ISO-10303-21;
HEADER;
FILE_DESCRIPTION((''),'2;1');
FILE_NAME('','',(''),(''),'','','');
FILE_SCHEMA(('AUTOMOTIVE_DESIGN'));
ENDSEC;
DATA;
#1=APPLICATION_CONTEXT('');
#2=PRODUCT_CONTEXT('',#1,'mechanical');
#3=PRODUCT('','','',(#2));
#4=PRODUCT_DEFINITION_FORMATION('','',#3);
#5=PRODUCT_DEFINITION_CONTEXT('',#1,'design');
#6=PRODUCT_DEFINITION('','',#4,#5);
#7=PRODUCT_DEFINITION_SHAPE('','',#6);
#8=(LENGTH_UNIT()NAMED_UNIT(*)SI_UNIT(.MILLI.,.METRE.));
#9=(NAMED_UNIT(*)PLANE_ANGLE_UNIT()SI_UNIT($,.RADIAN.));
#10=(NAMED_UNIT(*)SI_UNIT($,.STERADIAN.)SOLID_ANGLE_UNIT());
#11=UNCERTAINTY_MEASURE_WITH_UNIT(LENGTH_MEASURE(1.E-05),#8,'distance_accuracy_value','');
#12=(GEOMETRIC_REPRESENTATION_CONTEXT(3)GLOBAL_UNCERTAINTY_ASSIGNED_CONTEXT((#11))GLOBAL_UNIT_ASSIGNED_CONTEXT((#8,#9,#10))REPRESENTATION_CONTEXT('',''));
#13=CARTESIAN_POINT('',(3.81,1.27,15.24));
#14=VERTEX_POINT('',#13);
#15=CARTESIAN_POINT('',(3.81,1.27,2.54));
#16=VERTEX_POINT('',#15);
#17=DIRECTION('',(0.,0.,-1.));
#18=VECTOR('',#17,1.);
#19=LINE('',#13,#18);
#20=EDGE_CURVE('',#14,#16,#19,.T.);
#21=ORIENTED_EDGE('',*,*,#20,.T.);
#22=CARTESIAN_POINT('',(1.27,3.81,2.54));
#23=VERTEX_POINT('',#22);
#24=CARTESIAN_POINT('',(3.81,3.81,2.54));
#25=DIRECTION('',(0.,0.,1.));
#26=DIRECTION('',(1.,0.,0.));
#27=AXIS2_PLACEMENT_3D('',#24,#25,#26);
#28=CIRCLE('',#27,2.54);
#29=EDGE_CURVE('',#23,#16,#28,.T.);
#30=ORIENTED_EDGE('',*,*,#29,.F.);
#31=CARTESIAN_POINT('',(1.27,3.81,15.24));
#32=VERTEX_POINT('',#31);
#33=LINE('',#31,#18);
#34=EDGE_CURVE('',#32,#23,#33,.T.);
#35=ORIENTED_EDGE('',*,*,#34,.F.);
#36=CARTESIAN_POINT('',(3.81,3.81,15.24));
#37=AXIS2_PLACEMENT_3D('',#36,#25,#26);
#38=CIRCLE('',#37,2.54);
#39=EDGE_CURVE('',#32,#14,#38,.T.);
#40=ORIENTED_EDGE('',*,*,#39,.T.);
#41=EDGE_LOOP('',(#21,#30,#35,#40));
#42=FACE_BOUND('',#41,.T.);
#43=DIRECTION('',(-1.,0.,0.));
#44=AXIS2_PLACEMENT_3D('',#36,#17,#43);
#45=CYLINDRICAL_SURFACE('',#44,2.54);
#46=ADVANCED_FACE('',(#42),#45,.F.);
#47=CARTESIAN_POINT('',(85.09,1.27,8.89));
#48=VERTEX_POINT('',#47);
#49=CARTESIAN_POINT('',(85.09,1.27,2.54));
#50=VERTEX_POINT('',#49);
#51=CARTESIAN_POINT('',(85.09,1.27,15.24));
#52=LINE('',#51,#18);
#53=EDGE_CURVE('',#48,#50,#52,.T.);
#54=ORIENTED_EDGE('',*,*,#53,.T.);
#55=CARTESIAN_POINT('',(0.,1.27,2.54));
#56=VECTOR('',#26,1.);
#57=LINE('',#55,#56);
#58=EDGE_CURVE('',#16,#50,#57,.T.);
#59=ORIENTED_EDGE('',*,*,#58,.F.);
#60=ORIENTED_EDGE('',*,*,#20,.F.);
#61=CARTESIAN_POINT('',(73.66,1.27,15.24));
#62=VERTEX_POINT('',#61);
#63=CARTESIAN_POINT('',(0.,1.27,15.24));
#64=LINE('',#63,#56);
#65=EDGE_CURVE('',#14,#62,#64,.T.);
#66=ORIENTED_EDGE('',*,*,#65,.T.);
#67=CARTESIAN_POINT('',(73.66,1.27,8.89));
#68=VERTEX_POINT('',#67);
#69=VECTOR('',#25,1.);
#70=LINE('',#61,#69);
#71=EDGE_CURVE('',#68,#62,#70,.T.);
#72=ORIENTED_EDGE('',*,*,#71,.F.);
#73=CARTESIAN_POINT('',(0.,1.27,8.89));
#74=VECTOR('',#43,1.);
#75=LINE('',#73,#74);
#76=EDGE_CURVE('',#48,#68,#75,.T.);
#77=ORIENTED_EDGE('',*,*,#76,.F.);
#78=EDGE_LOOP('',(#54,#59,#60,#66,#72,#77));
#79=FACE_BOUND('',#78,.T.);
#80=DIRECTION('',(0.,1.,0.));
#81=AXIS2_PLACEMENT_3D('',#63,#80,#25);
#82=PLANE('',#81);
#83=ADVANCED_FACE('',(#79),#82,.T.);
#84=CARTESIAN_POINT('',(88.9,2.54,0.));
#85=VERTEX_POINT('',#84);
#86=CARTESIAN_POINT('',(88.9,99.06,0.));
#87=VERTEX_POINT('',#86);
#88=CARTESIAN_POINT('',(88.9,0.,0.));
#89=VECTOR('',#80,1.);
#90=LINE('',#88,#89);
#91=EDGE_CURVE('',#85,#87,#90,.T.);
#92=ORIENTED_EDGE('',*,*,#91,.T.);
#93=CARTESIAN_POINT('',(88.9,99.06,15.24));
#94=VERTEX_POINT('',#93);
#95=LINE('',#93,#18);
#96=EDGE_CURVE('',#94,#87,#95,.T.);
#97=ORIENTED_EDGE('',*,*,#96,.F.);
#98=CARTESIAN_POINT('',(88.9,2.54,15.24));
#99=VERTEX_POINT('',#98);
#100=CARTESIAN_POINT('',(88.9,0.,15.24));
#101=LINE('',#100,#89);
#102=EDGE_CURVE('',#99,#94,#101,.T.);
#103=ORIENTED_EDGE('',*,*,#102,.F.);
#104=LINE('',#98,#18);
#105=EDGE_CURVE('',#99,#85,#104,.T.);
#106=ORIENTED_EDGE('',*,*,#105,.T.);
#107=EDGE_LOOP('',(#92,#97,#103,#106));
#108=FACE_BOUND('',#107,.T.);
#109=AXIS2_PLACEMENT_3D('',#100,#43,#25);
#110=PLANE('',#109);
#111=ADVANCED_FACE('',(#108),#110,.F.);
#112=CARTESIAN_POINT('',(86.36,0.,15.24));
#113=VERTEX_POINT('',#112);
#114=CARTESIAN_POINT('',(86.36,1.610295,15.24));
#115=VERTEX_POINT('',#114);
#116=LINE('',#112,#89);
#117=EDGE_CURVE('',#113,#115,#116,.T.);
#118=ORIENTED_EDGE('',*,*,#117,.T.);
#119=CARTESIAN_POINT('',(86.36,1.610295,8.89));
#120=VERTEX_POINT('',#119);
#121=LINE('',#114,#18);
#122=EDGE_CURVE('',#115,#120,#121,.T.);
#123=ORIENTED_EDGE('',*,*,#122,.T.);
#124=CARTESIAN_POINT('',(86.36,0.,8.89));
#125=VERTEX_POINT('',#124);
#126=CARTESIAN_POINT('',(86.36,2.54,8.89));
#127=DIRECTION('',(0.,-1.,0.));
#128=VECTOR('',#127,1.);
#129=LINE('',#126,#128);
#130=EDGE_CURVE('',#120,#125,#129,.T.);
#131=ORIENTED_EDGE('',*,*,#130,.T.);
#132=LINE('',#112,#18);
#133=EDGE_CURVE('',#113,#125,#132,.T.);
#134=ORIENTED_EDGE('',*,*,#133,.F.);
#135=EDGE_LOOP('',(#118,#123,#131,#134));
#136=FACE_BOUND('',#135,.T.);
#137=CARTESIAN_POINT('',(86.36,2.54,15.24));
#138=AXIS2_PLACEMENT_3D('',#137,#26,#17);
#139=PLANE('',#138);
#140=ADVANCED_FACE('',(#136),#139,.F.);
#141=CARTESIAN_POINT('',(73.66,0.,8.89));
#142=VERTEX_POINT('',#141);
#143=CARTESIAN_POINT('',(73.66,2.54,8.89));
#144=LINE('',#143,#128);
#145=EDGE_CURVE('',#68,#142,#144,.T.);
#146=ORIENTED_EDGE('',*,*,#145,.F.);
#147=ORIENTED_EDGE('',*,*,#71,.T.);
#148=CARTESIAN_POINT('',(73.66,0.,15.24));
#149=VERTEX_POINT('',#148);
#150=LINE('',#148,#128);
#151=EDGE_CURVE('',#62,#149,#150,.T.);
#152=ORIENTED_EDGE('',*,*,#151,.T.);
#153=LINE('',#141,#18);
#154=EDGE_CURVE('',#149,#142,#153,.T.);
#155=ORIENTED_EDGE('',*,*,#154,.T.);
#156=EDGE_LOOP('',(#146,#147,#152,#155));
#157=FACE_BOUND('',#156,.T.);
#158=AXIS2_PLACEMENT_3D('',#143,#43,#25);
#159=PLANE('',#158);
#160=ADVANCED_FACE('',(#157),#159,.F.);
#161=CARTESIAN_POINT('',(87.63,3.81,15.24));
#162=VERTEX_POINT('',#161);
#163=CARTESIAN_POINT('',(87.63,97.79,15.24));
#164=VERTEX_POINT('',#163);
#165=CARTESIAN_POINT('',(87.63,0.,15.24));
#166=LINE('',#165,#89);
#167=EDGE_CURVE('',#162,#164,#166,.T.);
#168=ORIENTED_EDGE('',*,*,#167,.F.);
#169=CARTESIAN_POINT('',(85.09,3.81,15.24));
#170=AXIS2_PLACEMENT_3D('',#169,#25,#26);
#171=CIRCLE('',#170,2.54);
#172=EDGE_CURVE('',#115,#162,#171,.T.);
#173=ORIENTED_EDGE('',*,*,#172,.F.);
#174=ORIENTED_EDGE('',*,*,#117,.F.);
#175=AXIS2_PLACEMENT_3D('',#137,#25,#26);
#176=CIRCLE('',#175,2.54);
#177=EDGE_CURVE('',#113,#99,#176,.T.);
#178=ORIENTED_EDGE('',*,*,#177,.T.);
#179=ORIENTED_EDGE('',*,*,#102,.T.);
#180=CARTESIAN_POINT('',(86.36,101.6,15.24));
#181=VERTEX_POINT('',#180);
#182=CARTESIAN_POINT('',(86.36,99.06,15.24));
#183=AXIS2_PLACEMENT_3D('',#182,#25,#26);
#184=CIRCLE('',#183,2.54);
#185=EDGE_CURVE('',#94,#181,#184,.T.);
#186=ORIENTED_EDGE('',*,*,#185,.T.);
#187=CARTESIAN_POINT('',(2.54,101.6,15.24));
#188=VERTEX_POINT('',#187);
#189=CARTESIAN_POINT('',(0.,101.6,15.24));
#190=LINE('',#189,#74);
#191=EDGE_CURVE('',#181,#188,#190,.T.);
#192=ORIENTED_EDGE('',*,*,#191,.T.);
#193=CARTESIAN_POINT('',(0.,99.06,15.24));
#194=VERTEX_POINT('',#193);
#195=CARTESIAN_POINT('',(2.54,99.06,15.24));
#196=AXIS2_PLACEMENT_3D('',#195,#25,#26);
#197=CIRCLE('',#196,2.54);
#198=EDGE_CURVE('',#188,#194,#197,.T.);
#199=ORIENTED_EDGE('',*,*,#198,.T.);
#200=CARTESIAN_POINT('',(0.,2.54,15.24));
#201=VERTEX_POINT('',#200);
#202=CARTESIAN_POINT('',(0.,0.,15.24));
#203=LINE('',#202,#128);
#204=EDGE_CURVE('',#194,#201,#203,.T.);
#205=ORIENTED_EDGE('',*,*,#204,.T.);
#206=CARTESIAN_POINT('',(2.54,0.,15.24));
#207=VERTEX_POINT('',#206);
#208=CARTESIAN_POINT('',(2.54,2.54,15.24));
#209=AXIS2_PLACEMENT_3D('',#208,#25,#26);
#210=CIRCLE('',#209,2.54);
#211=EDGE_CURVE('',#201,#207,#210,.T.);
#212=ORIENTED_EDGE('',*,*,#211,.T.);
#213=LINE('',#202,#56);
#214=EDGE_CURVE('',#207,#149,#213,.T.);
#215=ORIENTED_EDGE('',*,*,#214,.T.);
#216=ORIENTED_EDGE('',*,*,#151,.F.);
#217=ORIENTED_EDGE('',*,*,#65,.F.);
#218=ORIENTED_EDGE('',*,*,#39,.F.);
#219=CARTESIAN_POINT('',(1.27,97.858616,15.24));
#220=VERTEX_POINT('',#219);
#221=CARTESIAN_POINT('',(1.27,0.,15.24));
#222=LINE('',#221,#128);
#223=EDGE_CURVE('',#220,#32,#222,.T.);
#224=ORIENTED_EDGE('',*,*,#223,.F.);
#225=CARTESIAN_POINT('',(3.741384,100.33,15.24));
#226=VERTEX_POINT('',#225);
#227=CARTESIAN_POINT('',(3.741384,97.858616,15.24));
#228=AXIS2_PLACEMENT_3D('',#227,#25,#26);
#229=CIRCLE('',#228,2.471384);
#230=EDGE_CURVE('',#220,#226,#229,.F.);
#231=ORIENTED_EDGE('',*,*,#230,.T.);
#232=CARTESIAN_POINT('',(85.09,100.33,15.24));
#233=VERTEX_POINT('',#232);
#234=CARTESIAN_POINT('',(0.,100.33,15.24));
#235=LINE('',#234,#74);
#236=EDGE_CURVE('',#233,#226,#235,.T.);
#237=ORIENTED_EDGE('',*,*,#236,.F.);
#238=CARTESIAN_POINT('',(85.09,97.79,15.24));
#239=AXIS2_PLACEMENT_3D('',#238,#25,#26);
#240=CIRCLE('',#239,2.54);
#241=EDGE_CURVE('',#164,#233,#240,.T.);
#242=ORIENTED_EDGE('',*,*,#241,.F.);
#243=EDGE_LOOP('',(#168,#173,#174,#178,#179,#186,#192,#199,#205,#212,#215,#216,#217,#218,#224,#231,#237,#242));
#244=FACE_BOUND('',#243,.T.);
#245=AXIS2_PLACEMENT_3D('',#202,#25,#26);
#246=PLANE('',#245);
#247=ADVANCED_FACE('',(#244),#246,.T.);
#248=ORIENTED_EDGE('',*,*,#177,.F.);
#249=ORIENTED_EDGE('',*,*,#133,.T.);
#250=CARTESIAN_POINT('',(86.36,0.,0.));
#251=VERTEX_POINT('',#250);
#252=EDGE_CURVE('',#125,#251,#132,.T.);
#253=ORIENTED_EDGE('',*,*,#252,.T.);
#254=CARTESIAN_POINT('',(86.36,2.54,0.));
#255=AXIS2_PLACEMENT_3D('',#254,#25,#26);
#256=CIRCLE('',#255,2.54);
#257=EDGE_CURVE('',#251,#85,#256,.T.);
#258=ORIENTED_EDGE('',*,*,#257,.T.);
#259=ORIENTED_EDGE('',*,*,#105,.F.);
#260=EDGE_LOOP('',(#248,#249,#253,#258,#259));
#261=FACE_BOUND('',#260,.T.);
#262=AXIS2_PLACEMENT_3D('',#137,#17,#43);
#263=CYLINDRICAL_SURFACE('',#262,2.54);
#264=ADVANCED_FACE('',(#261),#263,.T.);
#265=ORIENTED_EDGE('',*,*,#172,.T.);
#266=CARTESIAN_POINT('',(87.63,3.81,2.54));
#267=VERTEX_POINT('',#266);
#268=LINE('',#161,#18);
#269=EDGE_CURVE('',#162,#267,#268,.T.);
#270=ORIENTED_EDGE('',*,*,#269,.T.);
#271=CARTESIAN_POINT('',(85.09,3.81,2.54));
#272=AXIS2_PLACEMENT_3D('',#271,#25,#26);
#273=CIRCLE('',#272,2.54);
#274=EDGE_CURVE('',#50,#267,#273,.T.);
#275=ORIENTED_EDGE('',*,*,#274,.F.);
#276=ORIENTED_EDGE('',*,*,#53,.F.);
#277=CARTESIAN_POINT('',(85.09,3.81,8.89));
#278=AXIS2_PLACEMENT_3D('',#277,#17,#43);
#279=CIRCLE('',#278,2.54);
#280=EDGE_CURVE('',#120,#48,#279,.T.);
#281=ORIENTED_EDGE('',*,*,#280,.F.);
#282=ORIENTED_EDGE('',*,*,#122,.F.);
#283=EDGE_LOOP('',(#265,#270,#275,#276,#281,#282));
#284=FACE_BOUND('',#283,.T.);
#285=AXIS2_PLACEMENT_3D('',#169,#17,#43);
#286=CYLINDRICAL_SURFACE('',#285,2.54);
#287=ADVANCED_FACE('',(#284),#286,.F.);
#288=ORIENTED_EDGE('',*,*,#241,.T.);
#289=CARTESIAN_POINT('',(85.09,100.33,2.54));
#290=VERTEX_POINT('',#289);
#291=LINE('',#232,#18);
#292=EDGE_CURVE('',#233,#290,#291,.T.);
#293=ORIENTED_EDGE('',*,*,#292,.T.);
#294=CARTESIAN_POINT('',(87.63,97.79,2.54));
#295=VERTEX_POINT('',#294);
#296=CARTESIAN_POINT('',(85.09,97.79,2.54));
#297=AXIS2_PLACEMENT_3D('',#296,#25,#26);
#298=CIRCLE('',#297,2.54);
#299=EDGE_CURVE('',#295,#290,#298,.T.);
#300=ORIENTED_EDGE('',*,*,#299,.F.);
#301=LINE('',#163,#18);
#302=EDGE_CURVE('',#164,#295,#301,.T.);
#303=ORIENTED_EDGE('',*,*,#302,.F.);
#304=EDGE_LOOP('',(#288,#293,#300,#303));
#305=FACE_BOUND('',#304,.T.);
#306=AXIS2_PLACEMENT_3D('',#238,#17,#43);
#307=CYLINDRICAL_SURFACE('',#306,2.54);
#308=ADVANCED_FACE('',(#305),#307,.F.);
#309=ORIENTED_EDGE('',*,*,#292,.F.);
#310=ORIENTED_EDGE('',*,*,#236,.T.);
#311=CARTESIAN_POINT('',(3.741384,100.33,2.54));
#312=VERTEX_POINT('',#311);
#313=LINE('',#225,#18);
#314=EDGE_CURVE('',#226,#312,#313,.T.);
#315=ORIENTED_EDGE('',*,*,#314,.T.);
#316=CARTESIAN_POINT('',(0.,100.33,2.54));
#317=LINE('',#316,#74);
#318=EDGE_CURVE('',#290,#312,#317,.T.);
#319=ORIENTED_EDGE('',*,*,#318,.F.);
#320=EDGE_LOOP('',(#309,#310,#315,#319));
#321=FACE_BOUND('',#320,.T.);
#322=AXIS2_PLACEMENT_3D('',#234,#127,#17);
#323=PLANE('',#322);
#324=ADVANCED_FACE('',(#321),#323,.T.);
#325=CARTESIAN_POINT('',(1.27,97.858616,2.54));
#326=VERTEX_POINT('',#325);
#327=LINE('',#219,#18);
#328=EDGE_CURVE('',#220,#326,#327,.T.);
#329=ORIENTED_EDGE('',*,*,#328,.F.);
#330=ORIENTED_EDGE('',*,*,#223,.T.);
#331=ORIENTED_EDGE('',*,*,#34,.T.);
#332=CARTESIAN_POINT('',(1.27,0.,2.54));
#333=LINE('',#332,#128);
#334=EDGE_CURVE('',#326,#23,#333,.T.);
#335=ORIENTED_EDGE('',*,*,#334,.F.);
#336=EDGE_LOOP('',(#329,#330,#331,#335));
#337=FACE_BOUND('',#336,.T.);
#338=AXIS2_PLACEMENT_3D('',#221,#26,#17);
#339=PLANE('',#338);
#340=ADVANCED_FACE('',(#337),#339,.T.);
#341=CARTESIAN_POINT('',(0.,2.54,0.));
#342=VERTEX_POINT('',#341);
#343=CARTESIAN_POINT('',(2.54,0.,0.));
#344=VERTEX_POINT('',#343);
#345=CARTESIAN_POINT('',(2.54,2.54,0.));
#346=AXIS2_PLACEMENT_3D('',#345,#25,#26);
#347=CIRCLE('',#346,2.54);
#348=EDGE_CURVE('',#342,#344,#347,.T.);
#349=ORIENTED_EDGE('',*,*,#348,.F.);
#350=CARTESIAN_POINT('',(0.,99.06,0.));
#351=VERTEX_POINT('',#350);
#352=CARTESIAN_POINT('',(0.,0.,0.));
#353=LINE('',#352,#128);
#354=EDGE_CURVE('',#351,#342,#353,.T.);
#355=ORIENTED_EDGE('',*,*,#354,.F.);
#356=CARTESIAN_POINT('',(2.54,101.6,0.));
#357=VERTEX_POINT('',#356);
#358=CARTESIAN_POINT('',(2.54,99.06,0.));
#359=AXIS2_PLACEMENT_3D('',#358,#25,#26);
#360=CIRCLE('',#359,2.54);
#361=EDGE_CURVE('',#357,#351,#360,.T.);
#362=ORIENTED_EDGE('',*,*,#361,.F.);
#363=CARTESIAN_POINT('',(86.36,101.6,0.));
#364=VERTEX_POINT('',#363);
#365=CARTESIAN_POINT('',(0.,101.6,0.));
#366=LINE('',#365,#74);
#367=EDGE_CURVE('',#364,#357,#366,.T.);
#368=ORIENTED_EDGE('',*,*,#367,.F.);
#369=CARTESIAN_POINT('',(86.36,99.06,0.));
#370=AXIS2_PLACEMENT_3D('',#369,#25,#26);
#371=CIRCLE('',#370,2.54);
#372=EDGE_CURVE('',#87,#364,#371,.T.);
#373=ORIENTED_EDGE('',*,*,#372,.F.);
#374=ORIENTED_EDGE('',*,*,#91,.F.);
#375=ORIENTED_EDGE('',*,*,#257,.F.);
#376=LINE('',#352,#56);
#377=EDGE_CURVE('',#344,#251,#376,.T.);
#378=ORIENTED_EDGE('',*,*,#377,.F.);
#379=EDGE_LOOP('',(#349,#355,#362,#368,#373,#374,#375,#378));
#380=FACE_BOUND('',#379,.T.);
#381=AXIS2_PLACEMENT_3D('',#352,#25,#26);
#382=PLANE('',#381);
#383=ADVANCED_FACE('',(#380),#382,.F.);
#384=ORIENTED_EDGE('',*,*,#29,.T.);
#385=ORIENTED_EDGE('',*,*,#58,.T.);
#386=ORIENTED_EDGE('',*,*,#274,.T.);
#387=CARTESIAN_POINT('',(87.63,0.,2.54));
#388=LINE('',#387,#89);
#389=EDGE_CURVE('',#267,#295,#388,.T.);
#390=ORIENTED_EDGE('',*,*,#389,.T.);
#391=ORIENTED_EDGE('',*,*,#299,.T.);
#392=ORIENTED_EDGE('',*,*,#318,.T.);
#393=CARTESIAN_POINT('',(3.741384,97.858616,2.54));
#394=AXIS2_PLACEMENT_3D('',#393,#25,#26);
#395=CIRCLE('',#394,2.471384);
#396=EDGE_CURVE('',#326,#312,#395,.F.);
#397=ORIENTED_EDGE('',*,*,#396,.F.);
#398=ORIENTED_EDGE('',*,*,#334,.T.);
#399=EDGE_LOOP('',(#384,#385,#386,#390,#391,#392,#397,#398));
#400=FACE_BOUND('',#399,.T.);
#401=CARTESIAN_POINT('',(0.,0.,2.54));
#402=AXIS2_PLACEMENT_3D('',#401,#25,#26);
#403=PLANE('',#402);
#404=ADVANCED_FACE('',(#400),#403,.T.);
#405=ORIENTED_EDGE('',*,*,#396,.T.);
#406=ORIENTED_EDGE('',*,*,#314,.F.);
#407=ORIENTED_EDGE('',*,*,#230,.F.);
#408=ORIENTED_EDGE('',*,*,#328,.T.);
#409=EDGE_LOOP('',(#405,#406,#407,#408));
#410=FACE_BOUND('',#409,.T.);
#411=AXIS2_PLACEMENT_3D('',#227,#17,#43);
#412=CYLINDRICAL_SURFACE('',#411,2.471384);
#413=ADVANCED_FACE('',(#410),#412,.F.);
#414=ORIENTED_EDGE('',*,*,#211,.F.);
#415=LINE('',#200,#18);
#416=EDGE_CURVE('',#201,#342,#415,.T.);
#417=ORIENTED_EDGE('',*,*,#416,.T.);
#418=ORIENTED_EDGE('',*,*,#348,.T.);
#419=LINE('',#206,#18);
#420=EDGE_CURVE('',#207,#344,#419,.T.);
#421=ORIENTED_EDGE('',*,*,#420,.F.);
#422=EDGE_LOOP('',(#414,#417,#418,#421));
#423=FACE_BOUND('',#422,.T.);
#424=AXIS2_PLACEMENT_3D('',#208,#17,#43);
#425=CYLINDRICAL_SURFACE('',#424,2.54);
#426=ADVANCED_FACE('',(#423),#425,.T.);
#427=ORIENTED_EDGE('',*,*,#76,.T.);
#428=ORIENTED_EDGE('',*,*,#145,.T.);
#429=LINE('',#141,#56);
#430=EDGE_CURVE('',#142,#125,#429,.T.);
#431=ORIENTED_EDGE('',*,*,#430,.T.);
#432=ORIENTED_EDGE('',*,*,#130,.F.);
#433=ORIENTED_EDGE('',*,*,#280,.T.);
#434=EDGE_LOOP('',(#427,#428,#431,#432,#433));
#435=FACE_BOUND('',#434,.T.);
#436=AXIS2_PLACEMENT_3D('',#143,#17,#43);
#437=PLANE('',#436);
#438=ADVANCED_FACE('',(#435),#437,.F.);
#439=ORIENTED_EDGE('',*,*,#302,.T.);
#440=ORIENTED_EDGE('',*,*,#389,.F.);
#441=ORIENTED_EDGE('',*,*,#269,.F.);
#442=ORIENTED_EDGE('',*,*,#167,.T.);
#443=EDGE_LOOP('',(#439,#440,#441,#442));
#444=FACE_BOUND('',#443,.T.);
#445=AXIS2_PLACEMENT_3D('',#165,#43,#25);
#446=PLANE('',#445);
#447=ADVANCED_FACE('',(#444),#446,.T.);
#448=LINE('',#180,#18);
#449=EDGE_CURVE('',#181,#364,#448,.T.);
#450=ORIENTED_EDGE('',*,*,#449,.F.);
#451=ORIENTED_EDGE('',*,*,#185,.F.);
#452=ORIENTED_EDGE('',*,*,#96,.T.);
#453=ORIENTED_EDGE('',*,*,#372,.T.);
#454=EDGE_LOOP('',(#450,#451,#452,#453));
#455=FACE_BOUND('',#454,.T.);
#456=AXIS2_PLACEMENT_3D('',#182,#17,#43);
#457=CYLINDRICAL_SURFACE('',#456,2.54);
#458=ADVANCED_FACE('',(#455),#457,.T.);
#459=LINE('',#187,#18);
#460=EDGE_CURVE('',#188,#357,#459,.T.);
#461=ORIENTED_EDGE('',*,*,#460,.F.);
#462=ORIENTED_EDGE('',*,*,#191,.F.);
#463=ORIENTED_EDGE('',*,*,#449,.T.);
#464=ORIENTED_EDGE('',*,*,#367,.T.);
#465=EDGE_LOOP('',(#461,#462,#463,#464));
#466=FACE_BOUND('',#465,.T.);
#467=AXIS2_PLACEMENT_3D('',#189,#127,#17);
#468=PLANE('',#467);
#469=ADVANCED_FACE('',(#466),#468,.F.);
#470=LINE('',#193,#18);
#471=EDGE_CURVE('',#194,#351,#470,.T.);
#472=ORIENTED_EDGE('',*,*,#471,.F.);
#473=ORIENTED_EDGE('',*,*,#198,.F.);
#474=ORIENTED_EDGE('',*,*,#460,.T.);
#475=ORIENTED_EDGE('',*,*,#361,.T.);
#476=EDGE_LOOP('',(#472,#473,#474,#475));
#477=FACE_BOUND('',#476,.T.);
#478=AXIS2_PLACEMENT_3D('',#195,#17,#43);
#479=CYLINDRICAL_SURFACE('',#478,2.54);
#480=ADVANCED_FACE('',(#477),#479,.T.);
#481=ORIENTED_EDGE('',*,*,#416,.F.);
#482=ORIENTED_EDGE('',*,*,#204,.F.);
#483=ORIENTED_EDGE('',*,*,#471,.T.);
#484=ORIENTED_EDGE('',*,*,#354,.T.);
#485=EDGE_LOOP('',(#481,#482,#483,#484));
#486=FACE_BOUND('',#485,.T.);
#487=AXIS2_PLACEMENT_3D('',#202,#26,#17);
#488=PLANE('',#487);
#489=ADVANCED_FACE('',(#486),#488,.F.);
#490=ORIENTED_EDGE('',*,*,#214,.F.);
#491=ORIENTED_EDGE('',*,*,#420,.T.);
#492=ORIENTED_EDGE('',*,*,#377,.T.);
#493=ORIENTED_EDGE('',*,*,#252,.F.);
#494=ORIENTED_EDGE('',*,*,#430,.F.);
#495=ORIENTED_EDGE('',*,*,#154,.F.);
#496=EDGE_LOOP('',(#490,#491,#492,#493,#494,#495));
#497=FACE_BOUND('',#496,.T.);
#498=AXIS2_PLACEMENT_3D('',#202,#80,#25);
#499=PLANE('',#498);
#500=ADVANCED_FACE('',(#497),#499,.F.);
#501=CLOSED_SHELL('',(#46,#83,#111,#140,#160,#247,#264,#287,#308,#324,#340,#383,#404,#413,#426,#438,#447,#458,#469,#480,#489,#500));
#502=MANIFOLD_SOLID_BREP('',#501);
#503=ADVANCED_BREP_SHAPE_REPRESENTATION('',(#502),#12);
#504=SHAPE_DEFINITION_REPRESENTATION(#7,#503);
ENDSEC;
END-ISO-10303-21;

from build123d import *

# Parameters (mm, degrees)
BOSS_EXTRUDE2_DEPTH = 2.54
BOSS_EXTRUDE3_DEPTH = 15.24
SKETCH6_W           = 12.7
SKETCH6_H           = 6.35
CUT_EXTRUDE3_DEPTH  = 2.54


with BuildPart() as part:
    # Sketch1 → Boss-Extrude2 (new body)
    with BuildSketch(Plane.XY):
        with BuildLine():
            ThreePointArc((1.27, 97.858615874), (1.993851652, 99.606148348), (3.741384126, 100.33))
            Line((3.741384126, 100.33), (85.09, 100.33))
            ThreePointArc((85.09, 100.33), (86.886051224, 99.586051224), (87.63, 97.79))
            Line((87.63, 97.79), (87.63, 3.81))
            ThreePointArc((87.63, 3.81), (86.886051224, 2.013948776), (85.09, 1.27))
            Line((85.09, 1.27), (3.81, 1.27))
            ThreePointArc((3.81, 1.27), (2.013948776, 2.013948776), (1.27, 3.81))
            Line((1.27, 3.81), (1.27, 97.858615874))
        make_face()
    extrude(amount=BOSS_EXTRUDE2_DEPTH)

    # Sketch1<3> → Boss-Extrude3 (add)
    with BuildSketch(Plane.XY):
        with BuildLine():
            Line((0, 99.06), (0, 2.54))
            ThreePointArc((0, 2.54), (0.743948776, 0.743948776), (2.54, 0))
            Line((2.54, 0), (86.36, 0))
            ThreePointArc((86.36, 0), (88.156051224, 0.743948776), (88.9, 2.54))
            Line((88.9, 2.54), (88.9, 99.06))
            ThreePointArc((88.9, 99.06), (88.156051224, 100.856051224), (86.36, 101.6))
            Line((86.36, 101.6), (2.54, 101.6))
            ThreePointArc((2.54, 101.6), (0.743948776, 100.856051224), (0, 99.06))
        make_face()
        with BuildLine():
            Line((1.27, 97.858615874), (1.27, 3.81))
            ThreePointArc((1.27, 3.81), (2.013948776, 2.013948776), (3.81, 1.27))
            Line((3.81, 1.27), (85.09, 1.27))
            ThreePointArc((85.09, 1.27), (86.886051224, 2.013948776), (87.63, 3.81))
            Line((87.63, 3.81), (87.63, 97.79))
            ThreePointArc((87.63, 97.79), (86.886051224, 99.586051224), (85.09, 100.33))
            Line((85.09, 100.33), (3.741384126, 100.33))
            ThreePointArc((3.741384126, 100.33), (1.993851652, 99.606148348), (1.27, 97.858615874))
        make_face(mode=Mode.SUBTRACT)
    extrude(amount=BOSS_EXTRUDE3_DEPTH)

    # Sketch6 → Cut-Extrude3 (cut)
    with BuildSketch(Plane.XZ):
        with Locations((80.01, 12.065)):
            Rectangle(SKETCH6_W, SKETCH6_H)
    extrude(amount=-CUT_EXTRUDE3_DEPTH, mode=Mode.SUBTRACT)


solid = part.part
